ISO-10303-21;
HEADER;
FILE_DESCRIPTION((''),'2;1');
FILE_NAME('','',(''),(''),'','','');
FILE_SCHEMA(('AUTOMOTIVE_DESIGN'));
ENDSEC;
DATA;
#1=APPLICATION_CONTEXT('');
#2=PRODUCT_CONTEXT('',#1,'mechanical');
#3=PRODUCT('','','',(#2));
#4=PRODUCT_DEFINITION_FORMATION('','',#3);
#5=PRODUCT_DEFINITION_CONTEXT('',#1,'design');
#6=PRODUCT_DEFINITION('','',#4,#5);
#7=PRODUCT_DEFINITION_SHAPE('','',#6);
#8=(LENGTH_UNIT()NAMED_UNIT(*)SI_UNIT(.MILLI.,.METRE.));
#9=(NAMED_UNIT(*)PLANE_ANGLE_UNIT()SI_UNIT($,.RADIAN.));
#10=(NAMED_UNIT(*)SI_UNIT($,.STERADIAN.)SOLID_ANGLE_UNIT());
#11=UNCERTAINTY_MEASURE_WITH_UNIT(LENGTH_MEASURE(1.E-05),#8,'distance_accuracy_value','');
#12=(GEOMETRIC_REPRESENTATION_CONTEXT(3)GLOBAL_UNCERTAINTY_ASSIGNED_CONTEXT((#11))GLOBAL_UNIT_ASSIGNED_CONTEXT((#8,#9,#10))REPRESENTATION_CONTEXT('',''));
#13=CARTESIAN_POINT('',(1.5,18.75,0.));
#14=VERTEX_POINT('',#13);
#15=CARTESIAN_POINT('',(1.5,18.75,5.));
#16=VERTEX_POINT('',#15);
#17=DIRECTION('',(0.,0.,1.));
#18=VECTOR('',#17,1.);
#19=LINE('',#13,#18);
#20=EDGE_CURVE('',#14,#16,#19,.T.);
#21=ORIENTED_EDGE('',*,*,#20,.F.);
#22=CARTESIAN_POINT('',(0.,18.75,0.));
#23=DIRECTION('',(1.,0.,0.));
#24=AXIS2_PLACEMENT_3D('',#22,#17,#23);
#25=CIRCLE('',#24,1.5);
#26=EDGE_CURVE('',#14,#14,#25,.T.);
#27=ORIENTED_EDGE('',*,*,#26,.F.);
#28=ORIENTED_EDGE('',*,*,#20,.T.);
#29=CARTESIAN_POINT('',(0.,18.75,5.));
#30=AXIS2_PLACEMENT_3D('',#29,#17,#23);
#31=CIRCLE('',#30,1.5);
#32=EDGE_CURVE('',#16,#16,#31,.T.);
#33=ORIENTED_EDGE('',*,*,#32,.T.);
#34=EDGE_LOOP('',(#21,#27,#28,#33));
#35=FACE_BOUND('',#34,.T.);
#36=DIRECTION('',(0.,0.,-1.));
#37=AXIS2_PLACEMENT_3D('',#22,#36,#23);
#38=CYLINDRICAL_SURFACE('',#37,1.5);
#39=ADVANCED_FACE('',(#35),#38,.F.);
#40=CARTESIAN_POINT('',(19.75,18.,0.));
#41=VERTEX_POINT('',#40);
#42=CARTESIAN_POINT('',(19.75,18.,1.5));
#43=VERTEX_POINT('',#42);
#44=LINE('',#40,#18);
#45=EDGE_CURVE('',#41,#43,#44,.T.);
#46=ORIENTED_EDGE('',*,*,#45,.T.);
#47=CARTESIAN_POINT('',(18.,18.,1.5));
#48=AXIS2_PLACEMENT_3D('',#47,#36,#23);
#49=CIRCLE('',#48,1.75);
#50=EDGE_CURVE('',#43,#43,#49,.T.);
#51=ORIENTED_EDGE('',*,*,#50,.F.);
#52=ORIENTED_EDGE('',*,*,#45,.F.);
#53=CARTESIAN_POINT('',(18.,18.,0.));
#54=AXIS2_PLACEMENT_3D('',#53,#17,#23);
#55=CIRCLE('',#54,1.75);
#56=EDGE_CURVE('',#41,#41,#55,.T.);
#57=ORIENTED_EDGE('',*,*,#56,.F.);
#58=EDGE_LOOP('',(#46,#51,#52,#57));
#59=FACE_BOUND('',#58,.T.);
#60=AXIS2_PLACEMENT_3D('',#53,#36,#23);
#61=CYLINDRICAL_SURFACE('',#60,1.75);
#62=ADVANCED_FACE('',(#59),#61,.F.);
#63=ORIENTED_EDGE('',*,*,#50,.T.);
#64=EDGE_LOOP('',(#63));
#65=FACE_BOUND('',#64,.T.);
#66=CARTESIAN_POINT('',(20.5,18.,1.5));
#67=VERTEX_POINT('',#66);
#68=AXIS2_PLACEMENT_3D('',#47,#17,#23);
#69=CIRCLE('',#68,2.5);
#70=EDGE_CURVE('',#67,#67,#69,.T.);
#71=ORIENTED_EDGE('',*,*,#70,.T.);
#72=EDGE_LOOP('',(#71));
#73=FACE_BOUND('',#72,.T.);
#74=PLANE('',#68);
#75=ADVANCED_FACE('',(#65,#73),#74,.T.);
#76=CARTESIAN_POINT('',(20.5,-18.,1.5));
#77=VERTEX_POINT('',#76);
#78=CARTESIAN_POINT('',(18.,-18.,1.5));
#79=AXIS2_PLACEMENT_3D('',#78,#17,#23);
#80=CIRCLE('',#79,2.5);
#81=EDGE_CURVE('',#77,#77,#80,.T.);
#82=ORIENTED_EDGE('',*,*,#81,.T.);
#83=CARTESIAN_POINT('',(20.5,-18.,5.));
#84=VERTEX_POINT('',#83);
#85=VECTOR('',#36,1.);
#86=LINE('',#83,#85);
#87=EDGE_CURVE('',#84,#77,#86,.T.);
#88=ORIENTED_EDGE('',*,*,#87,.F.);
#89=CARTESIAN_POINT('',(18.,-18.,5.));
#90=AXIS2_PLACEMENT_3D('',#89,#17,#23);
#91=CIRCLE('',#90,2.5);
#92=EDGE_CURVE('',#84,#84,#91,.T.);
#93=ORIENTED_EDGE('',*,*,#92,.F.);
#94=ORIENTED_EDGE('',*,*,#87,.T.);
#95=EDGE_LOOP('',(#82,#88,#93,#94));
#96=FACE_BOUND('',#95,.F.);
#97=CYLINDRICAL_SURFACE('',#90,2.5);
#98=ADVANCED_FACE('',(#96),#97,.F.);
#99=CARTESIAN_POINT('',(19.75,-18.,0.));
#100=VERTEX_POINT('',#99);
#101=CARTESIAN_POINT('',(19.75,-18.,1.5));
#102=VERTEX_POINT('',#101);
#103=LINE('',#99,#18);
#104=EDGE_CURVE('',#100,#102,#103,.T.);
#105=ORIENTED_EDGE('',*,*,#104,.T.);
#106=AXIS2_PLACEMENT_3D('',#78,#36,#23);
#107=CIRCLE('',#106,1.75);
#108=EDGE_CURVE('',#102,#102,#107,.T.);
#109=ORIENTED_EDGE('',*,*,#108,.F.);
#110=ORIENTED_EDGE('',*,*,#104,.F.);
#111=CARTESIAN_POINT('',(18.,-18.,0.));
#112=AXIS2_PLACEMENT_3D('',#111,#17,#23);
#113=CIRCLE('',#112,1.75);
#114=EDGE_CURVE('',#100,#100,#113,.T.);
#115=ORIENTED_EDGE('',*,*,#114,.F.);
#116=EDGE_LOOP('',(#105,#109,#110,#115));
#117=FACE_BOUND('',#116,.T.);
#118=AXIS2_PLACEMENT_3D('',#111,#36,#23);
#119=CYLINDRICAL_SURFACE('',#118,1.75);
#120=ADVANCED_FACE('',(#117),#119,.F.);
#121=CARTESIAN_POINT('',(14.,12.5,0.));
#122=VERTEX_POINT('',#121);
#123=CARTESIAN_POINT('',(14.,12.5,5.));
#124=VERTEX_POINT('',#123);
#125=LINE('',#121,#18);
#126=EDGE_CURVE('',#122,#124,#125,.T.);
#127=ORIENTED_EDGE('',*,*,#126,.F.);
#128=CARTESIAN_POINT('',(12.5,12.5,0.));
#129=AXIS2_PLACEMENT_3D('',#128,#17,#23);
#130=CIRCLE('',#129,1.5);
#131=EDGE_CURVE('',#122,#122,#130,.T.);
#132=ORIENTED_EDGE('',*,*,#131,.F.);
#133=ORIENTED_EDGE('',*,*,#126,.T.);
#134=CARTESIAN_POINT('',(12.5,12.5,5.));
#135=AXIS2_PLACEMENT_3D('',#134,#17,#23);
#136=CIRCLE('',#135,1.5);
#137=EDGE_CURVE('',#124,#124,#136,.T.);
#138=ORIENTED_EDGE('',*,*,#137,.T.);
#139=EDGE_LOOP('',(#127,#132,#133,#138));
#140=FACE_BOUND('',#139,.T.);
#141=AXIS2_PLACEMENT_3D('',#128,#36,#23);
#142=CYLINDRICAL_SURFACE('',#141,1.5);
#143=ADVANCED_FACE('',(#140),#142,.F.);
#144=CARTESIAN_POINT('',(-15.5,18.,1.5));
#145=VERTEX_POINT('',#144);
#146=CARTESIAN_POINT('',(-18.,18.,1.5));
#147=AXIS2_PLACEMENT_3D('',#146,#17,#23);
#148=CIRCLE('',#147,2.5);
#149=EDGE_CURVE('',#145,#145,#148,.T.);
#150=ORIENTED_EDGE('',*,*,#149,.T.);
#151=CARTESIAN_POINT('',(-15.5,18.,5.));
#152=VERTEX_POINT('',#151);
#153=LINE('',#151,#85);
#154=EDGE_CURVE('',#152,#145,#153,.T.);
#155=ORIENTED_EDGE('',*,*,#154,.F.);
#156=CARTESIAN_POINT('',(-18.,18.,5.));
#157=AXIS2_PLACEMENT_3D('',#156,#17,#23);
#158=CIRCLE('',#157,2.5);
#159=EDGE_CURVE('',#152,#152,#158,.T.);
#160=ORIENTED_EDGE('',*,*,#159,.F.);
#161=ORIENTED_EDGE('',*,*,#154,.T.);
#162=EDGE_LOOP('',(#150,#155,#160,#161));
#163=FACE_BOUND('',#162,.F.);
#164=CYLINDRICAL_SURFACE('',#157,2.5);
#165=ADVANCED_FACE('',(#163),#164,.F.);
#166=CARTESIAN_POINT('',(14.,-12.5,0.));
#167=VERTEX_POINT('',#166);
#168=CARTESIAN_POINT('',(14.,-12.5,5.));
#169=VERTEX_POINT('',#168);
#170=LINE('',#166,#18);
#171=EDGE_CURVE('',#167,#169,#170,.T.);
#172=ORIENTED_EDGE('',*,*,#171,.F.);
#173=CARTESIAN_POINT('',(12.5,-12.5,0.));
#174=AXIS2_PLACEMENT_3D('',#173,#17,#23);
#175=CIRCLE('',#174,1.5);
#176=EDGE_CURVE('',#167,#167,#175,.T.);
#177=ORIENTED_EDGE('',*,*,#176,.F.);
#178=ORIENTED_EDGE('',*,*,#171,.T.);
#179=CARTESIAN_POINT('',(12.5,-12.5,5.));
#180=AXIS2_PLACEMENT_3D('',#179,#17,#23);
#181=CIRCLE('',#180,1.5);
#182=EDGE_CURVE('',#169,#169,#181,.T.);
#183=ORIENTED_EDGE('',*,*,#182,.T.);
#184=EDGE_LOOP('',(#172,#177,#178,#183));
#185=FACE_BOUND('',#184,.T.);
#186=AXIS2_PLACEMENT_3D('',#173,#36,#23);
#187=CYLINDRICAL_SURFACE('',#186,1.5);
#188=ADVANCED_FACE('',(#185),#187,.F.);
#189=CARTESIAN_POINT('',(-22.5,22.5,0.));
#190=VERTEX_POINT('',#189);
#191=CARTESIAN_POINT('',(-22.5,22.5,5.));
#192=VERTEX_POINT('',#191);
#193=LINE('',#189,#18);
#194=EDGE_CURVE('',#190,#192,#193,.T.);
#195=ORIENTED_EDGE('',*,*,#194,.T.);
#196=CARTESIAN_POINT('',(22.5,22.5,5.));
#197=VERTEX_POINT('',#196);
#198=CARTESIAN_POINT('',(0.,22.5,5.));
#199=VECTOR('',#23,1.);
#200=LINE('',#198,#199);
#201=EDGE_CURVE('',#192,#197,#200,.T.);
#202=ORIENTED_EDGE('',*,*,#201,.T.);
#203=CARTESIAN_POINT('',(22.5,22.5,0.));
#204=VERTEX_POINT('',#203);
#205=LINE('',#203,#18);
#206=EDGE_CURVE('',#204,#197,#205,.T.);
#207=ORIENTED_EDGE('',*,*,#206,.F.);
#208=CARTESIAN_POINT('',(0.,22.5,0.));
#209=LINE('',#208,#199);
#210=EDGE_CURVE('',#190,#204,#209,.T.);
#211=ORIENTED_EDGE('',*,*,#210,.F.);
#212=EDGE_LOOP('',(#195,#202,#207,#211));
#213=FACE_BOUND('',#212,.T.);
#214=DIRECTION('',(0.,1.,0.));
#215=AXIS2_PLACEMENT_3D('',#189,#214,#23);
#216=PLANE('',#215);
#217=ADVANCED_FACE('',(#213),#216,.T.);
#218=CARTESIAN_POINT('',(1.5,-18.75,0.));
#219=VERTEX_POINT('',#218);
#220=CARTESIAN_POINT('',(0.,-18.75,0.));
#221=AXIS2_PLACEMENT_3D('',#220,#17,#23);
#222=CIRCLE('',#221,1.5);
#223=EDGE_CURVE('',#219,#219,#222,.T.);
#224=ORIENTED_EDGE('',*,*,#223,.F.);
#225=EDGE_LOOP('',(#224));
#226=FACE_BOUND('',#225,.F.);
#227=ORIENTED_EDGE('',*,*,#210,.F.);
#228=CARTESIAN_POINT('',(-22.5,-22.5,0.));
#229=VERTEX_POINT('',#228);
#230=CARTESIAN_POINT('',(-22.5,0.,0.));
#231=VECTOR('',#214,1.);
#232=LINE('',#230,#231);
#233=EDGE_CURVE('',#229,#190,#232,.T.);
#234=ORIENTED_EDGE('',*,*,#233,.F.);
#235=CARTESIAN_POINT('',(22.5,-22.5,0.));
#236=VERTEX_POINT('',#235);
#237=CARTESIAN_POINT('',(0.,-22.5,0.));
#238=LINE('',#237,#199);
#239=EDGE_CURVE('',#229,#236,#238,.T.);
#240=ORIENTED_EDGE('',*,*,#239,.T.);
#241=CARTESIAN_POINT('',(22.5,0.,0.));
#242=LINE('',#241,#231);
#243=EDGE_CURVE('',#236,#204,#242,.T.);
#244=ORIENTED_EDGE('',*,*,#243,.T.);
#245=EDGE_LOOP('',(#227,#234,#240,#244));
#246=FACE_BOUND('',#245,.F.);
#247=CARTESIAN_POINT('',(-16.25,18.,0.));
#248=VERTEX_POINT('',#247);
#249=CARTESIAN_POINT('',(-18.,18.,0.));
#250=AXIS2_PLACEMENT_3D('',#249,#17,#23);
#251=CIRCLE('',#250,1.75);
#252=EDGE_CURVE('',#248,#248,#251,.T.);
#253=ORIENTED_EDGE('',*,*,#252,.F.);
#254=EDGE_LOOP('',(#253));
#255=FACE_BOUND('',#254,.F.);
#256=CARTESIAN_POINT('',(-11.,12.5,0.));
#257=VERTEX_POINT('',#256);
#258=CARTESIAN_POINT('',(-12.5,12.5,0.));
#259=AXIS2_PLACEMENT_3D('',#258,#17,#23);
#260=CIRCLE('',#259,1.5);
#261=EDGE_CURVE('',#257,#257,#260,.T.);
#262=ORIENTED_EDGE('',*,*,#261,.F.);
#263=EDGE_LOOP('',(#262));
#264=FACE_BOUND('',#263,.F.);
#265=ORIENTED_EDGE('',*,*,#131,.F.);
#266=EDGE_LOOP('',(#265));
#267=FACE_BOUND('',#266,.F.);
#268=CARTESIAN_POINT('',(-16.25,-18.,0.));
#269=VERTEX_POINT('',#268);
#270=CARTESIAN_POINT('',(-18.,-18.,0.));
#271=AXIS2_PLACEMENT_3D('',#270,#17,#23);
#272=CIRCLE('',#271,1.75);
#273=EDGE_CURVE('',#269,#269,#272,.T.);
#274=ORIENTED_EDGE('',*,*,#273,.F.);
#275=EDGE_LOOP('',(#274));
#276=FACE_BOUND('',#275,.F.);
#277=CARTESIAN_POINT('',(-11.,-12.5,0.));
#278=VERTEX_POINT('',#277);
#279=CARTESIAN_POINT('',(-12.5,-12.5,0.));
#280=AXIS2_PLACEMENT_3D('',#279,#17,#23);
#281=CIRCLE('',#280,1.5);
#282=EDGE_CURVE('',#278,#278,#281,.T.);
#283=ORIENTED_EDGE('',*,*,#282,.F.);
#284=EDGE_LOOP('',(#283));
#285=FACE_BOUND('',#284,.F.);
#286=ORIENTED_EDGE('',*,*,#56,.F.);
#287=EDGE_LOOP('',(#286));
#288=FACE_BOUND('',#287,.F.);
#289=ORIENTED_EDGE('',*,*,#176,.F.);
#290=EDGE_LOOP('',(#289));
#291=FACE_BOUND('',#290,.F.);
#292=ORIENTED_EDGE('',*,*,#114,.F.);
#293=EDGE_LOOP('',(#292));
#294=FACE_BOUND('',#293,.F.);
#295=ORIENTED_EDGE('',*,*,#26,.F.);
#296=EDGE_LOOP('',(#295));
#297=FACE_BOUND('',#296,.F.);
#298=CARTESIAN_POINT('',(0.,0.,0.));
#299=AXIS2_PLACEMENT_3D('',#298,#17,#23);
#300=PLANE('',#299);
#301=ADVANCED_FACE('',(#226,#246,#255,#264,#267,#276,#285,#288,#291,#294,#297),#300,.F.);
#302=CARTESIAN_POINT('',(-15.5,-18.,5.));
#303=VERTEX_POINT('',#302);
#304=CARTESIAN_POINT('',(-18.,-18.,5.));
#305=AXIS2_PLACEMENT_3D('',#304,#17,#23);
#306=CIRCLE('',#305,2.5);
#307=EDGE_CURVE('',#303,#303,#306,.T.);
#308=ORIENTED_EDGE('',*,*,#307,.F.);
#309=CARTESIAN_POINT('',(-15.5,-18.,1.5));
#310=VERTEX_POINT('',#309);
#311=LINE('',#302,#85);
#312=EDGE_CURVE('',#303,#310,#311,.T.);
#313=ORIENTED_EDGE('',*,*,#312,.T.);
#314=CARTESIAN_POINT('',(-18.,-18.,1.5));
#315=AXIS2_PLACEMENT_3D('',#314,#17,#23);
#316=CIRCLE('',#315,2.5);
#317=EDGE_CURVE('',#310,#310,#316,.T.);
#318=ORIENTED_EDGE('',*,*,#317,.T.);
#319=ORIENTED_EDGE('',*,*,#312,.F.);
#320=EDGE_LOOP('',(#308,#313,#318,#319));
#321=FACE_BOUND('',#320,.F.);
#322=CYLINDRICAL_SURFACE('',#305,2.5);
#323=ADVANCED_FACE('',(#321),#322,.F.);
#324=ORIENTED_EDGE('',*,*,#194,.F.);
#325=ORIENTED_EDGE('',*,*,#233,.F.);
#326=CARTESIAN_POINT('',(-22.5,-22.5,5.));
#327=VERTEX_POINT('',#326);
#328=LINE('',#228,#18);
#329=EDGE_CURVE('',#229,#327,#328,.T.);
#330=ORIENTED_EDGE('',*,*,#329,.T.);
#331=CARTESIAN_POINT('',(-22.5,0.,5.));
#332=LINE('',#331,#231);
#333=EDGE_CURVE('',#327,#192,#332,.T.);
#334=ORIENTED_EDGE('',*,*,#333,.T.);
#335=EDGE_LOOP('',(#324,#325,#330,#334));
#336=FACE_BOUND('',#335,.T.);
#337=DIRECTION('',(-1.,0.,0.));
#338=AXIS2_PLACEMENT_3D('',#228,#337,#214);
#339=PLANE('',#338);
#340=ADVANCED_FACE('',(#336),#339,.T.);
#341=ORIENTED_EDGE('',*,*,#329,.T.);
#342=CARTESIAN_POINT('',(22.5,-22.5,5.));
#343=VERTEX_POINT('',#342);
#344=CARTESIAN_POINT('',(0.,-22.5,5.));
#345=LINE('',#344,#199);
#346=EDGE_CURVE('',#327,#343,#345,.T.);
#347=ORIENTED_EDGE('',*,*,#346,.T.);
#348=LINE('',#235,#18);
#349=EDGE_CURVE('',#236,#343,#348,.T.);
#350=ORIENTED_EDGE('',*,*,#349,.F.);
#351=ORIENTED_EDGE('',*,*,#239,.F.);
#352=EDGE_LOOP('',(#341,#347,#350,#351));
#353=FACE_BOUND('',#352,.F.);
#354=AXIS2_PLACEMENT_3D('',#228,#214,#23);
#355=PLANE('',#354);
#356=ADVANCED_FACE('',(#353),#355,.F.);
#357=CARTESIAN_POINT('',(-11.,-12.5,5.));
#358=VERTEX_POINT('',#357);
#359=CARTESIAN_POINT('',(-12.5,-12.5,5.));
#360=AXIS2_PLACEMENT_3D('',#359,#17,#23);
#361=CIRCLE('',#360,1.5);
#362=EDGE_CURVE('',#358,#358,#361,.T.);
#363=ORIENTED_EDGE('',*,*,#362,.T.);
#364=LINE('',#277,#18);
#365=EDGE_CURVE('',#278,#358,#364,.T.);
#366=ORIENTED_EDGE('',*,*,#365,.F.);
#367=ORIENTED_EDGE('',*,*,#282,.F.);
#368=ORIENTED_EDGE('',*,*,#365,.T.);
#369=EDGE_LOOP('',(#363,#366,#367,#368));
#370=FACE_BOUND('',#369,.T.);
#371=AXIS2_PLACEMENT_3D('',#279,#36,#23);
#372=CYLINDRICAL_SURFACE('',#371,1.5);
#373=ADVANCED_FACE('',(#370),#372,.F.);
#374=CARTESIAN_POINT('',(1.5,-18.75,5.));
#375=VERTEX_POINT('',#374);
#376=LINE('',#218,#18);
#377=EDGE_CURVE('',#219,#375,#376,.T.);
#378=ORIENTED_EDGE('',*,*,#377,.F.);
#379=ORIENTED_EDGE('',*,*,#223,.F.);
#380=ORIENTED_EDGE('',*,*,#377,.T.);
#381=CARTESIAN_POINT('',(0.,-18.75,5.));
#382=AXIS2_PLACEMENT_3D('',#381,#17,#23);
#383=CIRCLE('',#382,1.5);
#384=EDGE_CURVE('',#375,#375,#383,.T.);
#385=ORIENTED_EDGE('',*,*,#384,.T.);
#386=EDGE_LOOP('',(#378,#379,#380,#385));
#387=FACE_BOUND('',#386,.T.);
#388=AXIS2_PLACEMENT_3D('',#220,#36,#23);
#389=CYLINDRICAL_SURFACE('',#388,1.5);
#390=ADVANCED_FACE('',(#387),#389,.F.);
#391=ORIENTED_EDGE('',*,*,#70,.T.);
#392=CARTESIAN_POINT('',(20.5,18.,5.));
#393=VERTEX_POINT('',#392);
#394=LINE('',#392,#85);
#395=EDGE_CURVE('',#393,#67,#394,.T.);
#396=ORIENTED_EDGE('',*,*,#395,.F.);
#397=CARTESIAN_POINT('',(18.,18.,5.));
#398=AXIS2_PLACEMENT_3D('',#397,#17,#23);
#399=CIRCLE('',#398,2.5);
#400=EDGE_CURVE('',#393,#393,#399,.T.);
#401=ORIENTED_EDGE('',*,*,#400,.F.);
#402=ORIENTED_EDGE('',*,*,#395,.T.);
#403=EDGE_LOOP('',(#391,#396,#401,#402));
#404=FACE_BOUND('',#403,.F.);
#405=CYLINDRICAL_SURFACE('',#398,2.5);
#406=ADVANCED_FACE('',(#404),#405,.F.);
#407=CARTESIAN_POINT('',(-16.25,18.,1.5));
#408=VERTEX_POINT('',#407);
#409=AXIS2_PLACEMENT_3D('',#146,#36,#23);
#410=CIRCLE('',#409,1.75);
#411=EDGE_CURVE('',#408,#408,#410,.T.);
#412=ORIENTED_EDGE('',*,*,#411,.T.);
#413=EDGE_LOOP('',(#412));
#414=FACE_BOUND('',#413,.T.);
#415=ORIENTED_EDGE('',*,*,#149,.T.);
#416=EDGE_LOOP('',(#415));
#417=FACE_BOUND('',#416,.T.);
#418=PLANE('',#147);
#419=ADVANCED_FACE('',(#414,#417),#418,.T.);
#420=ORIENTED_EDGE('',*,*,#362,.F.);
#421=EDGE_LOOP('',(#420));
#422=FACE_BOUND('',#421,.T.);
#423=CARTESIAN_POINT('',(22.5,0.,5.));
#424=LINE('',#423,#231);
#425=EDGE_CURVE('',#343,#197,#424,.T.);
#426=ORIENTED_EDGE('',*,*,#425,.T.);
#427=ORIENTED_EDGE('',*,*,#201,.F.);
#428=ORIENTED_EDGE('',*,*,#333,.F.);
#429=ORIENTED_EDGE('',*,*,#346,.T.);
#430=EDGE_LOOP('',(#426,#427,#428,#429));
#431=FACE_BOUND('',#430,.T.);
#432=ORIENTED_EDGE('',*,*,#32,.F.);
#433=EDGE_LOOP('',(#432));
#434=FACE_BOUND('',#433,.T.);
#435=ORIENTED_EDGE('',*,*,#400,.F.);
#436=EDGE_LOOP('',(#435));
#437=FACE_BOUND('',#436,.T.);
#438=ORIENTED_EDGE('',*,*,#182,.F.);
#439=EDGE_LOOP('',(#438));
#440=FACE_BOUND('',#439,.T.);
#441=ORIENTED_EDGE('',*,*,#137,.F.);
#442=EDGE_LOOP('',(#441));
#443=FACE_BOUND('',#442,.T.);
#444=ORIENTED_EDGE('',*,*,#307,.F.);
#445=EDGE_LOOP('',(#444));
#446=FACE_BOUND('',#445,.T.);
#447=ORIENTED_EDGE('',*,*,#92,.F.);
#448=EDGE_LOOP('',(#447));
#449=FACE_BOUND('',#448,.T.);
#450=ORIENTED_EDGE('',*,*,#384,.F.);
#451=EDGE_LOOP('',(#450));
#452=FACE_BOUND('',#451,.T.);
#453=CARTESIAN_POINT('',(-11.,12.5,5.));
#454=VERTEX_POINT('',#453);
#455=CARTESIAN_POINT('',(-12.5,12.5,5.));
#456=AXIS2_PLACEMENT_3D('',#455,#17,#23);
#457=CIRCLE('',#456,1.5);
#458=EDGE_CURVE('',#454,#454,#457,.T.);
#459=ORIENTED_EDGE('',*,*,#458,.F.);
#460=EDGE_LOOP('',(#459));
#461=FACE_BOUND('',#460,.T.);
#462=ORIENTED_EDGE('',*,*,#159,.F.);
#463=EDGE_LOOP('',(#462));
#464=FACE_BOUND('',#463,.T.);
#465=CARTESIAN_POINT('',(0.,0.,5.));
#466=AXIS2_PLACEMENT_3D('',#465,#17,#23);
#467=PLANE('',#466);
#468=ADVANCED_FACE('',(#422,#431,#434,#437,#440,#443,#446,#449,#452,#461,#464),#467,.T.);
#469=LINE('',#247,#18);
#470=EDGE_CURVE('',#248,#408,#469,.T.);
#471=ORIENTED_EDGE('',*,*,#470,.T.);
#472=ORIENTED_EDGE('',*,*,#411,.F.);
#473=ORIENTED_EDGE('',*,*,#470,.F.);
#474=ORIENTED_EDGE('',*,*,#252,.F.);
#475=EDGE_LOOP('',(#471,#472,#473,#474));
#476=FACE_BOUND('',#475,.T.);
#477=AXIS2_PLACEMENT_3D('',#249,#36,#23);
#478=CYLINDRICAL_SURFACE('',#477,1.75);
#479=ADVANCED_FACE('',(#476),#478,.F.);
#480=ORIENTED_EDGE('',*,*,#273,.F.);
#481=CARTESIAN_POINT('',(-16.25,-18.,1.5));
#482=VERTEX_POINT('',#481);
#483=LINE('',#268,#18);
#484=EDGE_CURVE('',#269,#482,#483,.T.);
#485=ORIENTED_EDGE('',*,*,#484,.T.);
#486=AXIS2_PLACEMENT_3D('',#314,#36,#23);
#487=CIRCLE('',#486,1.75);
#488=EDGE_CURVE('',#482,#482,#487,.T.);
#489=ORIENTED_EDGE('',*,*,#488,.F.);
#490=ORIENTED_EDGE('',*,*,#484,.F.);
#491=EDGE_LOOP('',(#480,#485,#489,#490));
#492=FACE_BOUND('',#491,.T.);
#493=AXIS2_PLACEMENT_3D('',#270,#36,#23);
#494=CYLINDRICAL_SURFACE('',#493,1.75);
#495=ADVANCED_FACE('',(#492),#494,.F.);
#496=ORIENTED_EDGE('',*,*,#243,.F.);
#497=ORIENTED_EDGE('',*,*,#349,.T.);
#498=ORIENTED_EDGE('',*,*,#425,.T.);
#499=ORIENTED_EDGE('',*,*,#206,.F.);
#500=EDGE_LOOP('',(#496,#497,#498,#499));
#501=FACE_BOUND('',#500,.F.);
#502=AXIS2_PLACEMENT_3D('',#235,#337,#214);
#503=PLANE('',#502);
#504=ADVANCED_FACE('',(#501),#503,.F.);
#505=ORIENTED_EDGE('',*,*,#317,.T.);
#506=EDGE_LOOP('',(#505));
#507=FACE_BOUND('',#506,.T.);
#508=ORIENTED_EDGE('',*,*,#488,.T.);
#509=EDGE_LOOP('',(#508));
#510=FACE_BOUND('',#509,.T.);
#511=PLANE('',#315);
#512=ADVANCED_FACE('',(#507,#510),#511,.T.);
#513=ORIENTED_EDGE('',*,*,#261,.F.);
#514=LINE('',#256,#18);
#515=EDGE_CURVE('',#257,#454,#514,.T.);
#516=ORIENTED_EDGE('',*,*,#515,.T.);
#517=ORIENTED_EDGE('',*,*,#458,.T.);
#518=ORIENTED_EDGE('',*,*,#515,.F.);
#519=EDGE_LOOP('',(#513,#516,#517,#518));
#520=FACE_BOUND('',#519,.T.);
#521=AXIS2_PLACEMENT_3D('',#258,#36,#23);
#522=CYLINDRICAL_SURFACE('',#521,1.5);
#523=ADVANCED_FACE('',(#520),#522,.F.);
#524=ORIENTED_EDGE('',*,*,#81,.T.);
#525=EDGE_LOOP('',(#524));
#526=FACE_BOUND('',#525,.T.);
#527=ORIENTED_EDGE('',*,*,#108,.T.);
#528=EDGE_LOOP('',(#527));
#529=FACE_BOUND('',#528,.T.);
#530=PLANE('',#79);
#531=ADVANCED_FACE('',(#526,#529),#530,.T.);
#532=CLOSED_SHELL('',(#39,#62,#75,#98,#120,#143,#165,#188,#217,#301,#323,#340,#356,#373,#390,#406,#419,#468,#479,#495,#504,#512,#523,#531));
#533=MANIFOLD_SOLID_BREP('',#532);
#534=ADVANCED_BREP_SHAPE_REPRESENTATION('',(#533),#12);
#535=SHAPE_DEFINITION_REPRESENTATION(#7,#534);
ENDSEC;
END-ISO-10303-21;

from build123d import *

# Parameters (mm, degrees)
F0_W     = 45
F0_H     = 45
F0_R     = 1.75
F0_R_2   = 1.5
F1_DEPTH = 5
F2_R     = 2.5
F3_DEPTH = 3.5


with BuildPart() as f1:
    # F0 (on Top) → F1 (new body)
    with BuildSketch(Plane.XY):
        Rectangle(F0_W, F0_H)
        with Locations((-18, -18)):
            Circle(F0_R, mode=Mode.SUBTRACT)
        with Locations((-12.5, -12.5)):
            Circle(F0_R_2, mode=Mode.SUBTRACT)
        with Locations((0, -18.75)):
            Circle(F0_R_2, mode=Mode.SUBTRACT)
        with Locations((18, -18)):
            Circle(F0_R, mode=Mode.SUBTRACT)
        with Locations((12.5, -12.5)):
            Circle(F0_R_2, mode=Mode.SUBTRACT)
        with Locations((-12.5, 12.5)):
            Circle(F0_R_2, mode=Mode.SUBTRACT)
        with Locations((-18, 18)):
            Circle(F0_R, mode=Mode.SUBTRACT)
        with Locations((0, 18.75)):
            Circle(F0_R_2, mode=Mode.SUBTRACT)
        with Locations((12.5, 12.5)):
            Circle(F0_R_2, mode=Mode.SUBTRACT)
        with Locations((18, 18)):
            Circle(F0_R, mode=Mode.SUBTRACT)
    extrude(amount=F1_DEPTH)

    # F2 (on face) → F3 (cut)
    with BuildSketch(Plane.XY.offset(5)):
        with Locations((-18, 18)):
            Circle(F2_R)
        with Locations((-18, -18)):
            Circle(F2_R)
        with Locations((18, 18)):
            Circle(F2_R)
        with Locations((18, -18)):
            Circle(F2_R)
    extrude(amount=-F3_DEPTH, mode=Mode.SUBTRACT)


solid = f1.part
